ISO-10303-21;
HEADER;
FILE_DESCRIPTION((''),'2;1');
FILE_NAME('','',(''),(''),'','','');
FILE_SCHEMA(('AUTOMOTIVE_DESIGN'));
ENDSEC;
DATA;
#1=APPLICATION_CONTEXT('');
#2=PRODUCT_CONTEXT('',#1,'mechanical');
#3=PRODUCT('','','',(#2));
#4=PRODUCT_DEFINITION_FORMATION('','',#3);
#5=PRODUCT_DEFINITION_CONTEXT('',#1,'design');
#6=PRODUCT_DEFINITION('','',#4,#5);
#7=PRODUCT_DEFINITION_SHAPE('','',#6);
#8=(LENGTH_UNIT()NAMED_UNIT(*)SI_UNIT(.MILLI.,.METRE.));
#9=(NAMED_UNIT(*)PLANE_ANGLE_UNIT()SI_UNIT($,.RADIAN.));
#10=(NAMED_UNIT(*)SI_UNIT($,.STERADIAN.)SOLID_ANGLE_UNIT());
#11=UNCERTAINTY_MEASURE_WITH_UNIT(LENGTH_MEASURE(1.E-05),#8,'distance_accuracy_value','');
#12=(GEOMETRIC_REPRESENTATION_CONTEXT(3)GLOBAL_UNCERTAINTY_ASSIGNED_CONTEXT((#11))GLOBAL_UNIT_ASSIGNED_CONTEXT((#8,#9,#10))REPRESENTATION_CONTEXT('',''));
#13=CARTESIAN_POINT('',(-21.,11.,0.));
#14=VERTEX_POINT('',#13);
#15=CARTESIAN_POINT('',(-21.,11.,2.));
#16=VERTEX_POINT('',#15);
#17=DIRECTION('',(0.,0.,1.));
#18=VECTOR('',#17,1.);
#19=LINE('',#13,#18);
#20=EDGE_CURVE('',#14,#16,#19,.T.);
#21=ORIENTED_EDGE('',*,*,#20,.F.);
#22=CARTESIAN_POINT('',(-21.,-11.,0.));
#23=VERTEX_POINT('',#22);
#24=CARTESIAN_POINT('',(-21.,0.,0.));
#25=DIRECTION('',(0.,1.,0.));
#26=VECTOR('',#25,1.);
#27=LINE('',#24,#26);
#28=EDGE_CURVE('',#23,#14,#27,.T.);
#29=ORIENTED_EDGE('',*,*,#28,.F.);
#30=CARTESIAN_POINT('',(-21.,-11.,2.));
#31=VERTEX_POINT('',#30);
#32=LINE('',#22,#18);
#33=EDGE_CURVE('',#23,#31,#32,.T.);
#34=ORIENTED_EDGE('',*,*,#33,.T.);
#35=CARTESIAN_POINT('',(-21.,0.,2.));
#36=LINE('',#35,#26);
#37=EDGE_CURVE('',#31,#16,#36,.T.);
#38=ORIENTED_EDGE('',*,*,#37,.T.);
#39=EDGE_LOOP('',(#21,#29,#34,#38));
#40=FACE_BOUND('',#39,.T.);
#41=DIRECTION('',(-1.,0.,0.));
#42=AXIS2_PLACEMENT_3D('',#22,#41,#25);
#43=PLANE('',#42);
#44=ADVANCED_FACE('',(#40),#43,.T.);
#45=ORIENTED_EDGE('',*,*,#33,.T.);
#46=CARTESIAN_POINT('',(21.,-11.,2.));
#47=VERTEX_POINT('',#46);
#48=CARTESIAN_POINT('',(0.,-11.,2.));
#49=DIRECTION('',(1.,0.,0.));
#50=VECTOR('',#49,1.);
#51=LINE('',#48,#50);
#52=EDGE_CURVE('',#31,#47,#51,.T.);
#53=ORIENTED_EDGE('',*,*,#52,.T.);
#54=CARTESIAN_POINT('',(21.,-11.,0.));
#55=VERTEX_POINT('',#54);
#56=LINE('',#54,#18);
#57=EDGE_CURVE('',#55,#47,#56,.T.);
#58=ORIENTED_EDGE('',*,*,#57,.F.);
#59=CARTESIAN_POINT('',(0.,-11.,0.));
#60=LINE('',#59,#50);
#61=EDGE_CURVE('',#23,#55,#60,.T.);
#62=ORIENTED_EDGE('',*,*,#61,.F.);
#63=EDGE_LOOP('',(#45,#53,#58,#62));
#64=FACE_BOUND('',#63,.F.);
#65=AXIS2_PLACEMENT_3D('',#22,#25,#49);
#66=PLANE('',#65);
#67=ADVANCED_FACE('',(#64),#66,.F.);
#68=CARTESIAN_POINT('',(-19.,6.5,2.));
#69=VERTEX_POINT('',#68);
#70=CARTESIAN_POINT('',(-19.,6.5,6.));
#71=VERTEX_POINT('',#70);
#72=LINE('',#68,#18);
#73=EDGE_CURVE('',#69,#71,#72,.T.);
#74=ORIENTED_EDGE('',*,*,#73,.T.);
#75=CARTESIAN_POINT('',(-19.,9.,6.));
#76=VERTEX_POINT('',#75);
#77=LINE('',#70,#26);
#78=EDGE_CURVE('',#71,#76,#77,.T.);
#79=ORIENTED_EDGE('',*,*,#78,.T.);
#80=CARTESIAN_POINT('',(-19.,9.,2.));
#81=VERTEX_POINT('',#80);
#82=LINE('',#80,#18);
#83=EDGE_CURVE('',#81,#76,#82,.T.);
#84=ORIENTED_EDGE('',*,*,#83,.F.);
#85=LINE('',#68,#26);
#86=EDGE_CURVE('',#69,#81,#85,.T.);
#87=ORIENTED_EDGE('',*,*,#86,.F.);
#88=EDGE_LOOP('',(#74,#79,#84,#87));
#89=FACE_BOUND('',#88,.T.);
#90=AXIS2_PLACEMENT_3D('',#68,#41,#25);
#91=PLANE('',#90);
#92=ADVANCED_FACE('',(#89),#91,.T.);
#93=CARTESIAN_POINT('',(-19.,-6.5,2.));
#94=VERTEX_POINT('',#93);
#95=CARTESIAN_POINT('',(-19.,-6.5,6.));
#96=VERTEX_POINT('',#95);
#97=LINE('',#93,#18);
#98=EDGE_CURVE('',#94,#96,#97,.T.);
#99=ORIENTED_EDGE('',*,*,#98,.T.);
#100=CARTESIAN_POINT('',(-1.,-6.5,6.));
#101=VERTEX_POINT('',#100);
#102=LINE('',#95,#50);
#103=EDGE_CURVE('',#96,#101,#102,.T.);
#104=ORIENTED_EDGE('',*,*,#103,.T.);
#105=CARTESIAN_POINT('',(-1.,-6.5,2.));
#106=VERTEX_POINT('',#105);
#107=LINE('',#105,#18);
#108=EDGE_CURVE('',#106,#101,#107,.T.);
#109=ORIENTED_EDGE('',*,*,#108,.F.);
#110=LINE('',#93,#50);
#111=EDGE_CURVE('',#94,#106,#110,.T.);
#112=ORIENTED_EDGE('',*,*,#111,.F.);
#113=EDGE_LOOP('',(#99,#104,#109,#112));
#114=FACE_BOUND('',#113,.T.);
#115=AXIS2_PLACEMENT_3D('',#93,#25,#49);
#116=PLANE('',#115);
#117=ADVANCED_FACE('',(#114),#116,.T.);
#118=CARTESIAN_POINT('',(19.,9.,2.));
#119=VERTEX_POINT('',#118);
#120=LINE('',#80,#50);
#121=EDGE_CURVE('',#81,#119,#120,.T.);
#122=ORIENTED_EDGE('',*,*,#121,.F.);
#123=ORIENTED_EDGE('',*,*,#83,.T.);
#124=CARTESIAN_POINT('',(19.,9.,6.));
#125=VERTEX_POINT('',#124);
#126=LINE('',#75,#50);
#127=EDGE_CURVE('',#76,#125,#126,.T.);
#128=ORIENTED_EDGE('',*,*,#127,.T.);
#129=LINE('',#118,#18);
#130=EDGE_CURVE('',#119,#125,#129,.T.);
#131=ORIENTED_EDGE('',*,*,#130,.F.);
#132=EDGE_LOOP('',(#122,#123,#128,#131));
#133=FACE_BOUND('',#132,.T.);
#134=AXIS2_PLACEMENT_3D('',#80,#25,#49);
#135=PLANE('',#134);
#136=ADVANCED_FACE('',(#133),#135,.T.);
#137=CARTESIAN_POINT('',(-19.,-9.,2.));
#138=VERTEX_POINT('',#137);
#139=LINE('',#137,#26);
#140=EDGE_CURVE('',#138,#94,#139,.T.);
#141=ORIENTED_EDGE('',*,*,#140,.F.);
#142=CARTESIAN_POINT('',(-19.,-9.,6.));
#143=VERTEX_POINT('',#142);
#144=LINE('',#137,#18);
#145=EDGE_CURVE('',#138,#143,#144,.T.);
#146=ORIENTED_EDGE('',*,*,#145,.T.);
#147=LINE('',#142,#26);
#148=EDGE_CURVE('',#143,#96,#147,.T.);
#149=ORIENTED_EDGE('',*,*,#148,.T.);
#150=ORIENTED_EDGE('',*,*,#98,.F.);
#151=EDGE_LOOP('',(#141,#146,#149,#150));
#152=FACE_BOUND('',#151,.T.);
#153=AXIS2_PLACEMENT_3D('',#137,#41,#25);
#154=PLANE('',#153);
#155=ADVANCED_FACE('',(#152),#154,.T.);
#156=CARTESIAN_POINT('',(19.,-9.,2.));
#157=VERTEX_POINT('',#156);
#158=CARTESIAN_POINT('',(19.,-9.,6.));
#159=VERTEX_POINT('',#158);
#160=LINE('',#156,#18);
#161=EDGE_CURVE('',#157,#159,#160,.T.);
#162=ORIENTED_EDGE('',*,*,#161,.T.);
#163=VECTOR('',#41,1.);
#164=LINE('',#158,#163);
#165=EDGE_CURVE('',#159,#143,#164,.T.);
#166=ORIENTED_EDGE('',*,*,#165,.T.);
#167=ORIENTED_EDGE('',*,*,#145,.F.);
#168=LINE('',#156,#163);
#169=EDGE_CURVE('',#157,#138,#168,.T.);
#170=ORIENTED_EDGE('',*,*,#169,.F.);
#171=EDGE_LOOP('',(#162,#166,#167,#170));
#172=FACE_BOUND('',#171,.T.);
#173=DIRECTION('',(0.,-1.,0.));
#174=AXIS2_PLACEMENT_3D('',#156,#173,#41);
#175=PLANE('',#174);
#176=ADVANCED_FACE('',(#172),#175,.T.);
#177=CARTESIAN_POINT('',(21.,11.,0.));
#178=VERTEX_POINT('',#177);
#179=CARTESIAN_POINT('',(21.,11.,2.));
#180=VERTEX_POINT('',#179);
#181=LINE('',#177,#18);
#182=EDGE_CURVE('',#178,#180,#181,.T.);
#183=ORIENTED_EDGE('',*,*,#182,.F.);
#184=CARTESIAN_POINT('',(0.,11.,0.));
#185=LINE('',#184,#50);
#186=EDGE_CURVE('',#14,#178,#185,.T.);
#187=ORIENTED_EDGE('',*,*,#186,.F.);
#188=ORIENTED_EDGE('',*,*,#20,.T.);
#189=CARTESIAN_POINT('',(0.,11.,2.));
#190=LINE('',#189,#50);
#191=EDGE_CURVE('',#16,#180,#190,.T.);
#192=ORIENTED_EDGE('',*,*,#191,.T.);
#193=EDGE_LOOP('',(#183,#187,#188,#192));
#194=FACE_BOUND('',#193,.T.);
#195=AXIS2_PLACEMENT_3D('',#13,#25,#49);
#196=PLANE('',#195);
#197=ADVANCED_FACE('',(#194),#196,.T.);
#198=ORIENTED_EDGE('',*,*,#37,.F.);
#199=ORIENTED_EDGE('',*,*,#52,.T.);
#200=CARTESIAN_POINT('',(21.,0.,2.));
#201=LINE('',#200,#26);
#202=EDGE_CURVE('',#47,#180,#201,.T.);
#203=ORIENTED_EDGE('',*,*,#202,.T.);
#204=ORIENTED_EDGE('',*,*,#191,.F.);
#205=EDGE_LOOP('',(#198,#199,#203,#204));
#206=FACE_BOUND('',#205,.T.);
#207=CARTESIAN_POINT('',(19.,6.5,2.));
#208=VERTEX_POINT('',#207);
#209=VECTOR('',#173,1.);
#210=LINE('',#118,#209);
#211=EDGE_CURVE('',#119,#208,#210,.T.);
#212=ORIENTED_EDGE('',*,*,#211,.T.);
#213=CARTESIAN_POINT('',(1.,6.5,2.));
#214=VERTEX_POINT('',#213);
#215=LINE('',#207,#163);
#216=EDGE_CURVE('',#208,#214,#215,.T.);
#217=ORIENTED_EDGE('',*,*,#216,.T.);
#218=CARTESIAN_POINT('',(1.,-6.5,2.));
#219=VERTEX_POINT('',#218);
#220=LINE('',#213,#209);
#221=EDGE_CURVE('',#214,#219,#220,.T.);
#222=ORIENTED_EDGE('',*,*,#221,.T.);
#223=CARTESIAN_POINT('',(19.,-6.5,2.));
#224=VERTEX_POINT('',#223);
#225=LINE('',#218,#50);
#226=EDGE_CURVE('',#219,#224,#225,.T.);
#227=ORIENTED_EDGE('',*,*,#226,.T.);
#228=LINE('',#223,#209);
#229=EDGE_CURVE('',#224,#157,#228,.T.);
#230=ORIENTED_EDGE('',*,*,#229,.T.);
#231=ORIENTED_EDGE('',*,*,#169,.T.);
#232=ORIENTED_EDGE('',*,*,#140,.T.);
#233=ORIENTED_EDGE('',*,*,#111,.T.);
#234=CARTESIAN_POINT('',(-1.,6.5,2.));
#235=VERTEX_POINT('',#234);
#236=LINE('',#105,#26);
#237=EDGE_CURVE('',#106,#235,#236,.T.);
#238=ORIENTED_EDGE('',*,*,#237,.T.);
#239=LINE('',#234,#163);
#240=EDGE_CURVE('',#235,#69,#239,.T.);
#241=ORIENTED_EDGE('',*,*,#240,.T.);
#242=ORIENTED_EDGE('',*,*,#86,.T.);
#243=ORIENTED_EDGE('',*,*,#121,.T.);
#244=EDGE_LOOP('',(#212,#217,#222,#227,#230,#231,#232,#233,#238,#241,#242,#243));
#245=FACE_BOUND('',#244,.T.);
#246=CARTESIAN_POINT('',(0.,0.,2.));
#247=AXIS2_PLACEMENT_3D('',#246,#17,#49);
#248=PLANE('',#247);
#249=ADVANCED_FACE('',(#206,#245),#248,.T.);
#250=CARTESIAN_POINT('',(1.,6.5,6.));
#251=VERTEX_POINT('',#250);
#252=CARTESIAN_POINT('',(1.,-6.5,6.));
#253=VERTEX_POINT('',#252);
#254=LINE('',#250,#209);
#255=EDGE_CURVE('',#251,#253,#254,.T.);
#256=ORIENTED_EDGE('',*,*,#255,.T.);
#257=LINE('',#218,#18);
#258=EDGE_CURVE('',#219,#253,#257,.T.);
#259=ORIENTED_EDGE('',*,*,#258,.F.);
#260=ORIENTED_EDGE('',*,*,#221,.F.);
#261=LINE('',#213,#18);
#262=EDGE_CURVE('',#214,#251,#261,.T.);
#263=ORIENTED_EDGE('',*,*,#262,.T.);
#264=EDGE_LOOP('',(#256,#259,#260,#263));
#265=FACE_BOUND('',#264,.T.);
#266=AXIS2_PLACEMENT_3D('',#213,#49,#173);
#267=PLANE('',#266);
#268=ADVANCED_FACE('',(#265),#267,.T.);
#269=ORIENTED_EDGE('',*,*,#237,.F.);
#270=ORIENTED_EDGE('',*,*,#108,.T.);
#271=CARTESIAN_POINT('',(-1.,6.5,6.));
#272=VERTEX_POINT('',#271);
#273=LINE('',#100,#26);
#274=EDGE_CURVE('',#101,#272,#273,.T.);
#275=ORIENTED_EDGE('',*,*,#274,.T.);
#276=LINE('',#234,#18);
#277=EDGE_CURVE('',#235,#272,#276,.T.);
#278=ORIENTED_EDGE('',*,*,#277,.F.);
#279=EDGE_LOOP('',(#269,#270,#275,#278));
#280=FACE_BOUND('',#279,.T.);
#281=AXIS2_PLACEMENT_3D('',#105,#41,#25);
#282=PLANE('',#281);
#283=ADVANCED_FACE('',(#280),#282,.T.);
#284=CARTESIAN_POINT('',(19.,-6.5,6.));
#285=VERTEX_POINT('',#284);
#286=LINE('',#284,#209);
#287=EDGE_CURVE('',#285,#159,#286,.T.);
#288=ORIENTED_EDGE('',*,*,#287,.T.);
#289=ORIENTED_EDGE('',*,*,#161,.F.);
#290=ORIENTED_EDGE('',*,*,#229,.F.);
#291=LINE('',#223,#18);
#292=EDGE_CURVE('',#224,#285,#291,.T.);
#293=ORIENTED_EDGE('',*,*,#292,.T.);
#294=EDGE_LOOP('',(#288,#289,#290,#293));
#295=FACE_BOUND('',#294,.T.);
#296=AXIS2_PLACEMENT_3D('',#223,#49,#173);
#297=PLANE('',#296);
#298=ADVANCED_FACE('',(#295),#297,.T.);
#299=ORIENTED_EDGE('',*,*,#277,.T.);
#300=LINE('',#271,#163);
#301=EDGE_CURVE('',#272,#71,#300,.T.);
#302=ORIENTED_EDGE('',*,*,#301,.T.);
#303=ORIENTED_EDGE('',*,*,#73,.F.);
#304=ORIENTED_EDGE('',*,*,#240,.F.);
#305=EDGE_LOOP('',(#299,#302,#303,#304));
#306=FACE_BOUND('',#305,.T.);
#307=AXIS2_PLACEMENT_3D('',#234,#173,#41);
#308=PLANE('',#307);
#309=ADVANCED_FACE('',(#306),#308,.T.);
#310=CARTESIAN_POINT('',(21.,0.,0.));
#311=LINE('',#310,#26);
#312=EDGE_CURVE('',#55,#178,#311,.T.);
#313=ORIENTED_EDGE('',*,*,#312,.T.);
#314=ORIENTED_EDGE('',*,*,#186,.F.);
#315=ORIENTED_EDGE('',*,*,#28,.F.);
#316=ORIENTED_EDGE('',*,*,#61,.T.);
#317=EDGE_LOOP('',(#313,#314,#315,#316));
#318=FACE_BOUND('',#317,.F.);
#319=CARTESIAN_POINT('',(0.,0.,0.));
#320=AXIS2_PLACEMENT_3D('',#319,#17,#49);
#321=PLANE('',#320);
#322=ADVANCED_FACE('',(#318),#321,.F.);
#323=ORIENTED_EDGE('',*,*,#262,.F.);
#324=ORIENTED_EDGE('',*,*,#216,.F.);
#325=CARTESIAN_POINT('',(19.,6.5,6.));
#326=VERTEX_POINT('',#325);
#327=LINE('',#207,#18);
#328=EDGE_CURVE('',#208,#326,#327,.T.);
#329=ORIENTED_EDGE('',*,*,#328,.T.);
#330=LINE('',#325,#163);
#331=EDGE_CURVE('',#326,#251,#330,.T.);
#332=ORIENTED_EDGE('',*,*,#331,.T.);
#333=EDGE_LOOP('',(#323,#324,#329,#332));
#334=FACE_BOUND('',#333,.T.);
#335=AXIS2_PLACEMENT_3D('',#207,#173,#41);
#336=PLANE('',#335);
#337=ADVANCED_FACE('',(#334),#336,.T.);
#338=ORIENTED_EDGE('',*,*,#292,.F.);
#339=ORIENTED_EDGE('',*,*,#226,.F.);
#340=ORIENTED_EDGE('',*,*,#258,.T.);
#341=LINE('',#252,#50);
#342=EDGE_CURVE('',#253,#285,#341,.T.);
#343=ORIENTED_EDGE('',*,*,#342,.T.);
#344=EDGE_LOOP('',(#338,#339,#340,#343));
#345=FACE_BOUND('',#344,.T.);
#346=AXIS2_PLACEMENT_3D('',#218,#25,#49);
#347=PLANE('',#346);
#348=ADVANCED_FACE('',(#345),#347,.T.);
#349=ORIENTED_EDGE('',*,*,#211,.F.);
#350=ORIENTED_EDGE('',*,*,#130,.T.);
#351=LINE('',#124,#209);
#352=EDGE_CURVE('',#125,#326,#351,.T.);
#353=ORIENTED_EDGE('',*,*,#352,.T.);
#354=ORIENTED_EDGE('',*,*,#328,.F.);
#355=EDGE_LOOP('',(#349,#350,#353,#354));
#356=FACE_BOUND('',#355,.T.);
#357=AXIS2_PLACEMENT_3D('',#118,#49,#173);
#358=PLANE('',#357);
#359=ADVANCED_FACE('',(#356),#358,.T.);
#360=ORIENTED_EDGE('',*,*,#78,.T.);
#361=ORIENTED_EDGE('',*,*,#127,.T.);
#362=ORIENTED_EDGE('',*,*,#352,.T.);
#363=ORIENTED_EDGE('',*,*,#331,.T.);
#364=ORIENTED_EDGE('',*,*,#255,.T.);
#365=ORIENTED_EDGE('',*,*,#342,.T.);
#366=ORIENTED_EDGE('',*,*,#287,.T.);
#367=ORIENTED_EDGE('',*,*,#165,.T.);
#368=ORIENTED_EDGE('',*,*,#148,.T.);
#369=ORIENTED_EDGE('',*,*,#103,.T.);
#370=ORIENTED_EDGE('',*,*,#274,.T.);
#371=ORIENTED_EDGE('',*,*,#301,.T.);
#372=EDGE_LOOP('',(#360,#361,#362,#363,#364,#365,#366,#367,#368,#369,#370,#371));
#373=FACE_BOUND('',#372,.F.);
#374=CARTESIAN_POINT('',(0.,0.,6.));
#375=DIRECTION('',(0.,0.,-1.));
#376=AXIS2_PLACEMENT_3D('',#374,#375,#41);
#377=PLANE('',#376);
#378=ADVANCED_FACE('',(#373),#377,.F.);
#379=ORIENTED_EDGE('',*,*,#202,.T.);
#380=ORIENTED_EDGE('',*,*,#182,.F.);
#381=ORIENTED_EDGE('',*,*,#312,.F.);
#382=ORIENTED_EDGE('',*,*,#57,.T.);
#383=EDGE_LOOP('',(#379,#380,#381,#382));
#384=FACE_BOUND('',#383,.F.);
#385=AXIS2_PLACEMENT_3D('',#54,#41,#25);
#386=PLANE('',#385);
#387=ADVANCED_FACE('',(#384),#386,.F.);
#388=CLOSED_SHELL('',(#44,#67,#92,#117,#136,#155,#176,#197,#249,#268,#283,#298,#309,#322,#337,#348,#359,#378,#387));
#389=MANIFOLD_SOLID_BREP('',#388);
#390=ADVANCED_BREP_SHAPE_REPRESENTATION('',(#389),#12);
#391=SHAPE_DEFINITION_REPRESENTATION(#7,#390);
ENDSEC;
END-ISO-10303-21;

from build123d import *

# Parameters (mm, degrees)
SKETCH_W     = 42
SKETCH_H     = 22
PAD_DEPTH    = 2
PAD001_DEPTH = 4


with BuildPart() as part:
    # Sketch → Pad (new body)
    with BuildSketch(Plane.XY):
        Rectangle(SKETCH_W, SKETCH_H)
    extrude(amount=PAD_DEPTH)

    # Sketch001 (on Face6 of Pad) → Pad001 (join)
    with BuildSketch(Plane.XY.offset(2)):
        Polygon((-19, 9), (19, 9), (19, 6.5), (1, 6.5), (1, -6.5), (19, -6.5), (19, -9), (-19, -9), (-19, -6.5), (-1, -6.5), (-1, 6.5), (-19, 6.5), align=None)
    extrude(amount=PAD001_DEPTH)


solid = part.part
